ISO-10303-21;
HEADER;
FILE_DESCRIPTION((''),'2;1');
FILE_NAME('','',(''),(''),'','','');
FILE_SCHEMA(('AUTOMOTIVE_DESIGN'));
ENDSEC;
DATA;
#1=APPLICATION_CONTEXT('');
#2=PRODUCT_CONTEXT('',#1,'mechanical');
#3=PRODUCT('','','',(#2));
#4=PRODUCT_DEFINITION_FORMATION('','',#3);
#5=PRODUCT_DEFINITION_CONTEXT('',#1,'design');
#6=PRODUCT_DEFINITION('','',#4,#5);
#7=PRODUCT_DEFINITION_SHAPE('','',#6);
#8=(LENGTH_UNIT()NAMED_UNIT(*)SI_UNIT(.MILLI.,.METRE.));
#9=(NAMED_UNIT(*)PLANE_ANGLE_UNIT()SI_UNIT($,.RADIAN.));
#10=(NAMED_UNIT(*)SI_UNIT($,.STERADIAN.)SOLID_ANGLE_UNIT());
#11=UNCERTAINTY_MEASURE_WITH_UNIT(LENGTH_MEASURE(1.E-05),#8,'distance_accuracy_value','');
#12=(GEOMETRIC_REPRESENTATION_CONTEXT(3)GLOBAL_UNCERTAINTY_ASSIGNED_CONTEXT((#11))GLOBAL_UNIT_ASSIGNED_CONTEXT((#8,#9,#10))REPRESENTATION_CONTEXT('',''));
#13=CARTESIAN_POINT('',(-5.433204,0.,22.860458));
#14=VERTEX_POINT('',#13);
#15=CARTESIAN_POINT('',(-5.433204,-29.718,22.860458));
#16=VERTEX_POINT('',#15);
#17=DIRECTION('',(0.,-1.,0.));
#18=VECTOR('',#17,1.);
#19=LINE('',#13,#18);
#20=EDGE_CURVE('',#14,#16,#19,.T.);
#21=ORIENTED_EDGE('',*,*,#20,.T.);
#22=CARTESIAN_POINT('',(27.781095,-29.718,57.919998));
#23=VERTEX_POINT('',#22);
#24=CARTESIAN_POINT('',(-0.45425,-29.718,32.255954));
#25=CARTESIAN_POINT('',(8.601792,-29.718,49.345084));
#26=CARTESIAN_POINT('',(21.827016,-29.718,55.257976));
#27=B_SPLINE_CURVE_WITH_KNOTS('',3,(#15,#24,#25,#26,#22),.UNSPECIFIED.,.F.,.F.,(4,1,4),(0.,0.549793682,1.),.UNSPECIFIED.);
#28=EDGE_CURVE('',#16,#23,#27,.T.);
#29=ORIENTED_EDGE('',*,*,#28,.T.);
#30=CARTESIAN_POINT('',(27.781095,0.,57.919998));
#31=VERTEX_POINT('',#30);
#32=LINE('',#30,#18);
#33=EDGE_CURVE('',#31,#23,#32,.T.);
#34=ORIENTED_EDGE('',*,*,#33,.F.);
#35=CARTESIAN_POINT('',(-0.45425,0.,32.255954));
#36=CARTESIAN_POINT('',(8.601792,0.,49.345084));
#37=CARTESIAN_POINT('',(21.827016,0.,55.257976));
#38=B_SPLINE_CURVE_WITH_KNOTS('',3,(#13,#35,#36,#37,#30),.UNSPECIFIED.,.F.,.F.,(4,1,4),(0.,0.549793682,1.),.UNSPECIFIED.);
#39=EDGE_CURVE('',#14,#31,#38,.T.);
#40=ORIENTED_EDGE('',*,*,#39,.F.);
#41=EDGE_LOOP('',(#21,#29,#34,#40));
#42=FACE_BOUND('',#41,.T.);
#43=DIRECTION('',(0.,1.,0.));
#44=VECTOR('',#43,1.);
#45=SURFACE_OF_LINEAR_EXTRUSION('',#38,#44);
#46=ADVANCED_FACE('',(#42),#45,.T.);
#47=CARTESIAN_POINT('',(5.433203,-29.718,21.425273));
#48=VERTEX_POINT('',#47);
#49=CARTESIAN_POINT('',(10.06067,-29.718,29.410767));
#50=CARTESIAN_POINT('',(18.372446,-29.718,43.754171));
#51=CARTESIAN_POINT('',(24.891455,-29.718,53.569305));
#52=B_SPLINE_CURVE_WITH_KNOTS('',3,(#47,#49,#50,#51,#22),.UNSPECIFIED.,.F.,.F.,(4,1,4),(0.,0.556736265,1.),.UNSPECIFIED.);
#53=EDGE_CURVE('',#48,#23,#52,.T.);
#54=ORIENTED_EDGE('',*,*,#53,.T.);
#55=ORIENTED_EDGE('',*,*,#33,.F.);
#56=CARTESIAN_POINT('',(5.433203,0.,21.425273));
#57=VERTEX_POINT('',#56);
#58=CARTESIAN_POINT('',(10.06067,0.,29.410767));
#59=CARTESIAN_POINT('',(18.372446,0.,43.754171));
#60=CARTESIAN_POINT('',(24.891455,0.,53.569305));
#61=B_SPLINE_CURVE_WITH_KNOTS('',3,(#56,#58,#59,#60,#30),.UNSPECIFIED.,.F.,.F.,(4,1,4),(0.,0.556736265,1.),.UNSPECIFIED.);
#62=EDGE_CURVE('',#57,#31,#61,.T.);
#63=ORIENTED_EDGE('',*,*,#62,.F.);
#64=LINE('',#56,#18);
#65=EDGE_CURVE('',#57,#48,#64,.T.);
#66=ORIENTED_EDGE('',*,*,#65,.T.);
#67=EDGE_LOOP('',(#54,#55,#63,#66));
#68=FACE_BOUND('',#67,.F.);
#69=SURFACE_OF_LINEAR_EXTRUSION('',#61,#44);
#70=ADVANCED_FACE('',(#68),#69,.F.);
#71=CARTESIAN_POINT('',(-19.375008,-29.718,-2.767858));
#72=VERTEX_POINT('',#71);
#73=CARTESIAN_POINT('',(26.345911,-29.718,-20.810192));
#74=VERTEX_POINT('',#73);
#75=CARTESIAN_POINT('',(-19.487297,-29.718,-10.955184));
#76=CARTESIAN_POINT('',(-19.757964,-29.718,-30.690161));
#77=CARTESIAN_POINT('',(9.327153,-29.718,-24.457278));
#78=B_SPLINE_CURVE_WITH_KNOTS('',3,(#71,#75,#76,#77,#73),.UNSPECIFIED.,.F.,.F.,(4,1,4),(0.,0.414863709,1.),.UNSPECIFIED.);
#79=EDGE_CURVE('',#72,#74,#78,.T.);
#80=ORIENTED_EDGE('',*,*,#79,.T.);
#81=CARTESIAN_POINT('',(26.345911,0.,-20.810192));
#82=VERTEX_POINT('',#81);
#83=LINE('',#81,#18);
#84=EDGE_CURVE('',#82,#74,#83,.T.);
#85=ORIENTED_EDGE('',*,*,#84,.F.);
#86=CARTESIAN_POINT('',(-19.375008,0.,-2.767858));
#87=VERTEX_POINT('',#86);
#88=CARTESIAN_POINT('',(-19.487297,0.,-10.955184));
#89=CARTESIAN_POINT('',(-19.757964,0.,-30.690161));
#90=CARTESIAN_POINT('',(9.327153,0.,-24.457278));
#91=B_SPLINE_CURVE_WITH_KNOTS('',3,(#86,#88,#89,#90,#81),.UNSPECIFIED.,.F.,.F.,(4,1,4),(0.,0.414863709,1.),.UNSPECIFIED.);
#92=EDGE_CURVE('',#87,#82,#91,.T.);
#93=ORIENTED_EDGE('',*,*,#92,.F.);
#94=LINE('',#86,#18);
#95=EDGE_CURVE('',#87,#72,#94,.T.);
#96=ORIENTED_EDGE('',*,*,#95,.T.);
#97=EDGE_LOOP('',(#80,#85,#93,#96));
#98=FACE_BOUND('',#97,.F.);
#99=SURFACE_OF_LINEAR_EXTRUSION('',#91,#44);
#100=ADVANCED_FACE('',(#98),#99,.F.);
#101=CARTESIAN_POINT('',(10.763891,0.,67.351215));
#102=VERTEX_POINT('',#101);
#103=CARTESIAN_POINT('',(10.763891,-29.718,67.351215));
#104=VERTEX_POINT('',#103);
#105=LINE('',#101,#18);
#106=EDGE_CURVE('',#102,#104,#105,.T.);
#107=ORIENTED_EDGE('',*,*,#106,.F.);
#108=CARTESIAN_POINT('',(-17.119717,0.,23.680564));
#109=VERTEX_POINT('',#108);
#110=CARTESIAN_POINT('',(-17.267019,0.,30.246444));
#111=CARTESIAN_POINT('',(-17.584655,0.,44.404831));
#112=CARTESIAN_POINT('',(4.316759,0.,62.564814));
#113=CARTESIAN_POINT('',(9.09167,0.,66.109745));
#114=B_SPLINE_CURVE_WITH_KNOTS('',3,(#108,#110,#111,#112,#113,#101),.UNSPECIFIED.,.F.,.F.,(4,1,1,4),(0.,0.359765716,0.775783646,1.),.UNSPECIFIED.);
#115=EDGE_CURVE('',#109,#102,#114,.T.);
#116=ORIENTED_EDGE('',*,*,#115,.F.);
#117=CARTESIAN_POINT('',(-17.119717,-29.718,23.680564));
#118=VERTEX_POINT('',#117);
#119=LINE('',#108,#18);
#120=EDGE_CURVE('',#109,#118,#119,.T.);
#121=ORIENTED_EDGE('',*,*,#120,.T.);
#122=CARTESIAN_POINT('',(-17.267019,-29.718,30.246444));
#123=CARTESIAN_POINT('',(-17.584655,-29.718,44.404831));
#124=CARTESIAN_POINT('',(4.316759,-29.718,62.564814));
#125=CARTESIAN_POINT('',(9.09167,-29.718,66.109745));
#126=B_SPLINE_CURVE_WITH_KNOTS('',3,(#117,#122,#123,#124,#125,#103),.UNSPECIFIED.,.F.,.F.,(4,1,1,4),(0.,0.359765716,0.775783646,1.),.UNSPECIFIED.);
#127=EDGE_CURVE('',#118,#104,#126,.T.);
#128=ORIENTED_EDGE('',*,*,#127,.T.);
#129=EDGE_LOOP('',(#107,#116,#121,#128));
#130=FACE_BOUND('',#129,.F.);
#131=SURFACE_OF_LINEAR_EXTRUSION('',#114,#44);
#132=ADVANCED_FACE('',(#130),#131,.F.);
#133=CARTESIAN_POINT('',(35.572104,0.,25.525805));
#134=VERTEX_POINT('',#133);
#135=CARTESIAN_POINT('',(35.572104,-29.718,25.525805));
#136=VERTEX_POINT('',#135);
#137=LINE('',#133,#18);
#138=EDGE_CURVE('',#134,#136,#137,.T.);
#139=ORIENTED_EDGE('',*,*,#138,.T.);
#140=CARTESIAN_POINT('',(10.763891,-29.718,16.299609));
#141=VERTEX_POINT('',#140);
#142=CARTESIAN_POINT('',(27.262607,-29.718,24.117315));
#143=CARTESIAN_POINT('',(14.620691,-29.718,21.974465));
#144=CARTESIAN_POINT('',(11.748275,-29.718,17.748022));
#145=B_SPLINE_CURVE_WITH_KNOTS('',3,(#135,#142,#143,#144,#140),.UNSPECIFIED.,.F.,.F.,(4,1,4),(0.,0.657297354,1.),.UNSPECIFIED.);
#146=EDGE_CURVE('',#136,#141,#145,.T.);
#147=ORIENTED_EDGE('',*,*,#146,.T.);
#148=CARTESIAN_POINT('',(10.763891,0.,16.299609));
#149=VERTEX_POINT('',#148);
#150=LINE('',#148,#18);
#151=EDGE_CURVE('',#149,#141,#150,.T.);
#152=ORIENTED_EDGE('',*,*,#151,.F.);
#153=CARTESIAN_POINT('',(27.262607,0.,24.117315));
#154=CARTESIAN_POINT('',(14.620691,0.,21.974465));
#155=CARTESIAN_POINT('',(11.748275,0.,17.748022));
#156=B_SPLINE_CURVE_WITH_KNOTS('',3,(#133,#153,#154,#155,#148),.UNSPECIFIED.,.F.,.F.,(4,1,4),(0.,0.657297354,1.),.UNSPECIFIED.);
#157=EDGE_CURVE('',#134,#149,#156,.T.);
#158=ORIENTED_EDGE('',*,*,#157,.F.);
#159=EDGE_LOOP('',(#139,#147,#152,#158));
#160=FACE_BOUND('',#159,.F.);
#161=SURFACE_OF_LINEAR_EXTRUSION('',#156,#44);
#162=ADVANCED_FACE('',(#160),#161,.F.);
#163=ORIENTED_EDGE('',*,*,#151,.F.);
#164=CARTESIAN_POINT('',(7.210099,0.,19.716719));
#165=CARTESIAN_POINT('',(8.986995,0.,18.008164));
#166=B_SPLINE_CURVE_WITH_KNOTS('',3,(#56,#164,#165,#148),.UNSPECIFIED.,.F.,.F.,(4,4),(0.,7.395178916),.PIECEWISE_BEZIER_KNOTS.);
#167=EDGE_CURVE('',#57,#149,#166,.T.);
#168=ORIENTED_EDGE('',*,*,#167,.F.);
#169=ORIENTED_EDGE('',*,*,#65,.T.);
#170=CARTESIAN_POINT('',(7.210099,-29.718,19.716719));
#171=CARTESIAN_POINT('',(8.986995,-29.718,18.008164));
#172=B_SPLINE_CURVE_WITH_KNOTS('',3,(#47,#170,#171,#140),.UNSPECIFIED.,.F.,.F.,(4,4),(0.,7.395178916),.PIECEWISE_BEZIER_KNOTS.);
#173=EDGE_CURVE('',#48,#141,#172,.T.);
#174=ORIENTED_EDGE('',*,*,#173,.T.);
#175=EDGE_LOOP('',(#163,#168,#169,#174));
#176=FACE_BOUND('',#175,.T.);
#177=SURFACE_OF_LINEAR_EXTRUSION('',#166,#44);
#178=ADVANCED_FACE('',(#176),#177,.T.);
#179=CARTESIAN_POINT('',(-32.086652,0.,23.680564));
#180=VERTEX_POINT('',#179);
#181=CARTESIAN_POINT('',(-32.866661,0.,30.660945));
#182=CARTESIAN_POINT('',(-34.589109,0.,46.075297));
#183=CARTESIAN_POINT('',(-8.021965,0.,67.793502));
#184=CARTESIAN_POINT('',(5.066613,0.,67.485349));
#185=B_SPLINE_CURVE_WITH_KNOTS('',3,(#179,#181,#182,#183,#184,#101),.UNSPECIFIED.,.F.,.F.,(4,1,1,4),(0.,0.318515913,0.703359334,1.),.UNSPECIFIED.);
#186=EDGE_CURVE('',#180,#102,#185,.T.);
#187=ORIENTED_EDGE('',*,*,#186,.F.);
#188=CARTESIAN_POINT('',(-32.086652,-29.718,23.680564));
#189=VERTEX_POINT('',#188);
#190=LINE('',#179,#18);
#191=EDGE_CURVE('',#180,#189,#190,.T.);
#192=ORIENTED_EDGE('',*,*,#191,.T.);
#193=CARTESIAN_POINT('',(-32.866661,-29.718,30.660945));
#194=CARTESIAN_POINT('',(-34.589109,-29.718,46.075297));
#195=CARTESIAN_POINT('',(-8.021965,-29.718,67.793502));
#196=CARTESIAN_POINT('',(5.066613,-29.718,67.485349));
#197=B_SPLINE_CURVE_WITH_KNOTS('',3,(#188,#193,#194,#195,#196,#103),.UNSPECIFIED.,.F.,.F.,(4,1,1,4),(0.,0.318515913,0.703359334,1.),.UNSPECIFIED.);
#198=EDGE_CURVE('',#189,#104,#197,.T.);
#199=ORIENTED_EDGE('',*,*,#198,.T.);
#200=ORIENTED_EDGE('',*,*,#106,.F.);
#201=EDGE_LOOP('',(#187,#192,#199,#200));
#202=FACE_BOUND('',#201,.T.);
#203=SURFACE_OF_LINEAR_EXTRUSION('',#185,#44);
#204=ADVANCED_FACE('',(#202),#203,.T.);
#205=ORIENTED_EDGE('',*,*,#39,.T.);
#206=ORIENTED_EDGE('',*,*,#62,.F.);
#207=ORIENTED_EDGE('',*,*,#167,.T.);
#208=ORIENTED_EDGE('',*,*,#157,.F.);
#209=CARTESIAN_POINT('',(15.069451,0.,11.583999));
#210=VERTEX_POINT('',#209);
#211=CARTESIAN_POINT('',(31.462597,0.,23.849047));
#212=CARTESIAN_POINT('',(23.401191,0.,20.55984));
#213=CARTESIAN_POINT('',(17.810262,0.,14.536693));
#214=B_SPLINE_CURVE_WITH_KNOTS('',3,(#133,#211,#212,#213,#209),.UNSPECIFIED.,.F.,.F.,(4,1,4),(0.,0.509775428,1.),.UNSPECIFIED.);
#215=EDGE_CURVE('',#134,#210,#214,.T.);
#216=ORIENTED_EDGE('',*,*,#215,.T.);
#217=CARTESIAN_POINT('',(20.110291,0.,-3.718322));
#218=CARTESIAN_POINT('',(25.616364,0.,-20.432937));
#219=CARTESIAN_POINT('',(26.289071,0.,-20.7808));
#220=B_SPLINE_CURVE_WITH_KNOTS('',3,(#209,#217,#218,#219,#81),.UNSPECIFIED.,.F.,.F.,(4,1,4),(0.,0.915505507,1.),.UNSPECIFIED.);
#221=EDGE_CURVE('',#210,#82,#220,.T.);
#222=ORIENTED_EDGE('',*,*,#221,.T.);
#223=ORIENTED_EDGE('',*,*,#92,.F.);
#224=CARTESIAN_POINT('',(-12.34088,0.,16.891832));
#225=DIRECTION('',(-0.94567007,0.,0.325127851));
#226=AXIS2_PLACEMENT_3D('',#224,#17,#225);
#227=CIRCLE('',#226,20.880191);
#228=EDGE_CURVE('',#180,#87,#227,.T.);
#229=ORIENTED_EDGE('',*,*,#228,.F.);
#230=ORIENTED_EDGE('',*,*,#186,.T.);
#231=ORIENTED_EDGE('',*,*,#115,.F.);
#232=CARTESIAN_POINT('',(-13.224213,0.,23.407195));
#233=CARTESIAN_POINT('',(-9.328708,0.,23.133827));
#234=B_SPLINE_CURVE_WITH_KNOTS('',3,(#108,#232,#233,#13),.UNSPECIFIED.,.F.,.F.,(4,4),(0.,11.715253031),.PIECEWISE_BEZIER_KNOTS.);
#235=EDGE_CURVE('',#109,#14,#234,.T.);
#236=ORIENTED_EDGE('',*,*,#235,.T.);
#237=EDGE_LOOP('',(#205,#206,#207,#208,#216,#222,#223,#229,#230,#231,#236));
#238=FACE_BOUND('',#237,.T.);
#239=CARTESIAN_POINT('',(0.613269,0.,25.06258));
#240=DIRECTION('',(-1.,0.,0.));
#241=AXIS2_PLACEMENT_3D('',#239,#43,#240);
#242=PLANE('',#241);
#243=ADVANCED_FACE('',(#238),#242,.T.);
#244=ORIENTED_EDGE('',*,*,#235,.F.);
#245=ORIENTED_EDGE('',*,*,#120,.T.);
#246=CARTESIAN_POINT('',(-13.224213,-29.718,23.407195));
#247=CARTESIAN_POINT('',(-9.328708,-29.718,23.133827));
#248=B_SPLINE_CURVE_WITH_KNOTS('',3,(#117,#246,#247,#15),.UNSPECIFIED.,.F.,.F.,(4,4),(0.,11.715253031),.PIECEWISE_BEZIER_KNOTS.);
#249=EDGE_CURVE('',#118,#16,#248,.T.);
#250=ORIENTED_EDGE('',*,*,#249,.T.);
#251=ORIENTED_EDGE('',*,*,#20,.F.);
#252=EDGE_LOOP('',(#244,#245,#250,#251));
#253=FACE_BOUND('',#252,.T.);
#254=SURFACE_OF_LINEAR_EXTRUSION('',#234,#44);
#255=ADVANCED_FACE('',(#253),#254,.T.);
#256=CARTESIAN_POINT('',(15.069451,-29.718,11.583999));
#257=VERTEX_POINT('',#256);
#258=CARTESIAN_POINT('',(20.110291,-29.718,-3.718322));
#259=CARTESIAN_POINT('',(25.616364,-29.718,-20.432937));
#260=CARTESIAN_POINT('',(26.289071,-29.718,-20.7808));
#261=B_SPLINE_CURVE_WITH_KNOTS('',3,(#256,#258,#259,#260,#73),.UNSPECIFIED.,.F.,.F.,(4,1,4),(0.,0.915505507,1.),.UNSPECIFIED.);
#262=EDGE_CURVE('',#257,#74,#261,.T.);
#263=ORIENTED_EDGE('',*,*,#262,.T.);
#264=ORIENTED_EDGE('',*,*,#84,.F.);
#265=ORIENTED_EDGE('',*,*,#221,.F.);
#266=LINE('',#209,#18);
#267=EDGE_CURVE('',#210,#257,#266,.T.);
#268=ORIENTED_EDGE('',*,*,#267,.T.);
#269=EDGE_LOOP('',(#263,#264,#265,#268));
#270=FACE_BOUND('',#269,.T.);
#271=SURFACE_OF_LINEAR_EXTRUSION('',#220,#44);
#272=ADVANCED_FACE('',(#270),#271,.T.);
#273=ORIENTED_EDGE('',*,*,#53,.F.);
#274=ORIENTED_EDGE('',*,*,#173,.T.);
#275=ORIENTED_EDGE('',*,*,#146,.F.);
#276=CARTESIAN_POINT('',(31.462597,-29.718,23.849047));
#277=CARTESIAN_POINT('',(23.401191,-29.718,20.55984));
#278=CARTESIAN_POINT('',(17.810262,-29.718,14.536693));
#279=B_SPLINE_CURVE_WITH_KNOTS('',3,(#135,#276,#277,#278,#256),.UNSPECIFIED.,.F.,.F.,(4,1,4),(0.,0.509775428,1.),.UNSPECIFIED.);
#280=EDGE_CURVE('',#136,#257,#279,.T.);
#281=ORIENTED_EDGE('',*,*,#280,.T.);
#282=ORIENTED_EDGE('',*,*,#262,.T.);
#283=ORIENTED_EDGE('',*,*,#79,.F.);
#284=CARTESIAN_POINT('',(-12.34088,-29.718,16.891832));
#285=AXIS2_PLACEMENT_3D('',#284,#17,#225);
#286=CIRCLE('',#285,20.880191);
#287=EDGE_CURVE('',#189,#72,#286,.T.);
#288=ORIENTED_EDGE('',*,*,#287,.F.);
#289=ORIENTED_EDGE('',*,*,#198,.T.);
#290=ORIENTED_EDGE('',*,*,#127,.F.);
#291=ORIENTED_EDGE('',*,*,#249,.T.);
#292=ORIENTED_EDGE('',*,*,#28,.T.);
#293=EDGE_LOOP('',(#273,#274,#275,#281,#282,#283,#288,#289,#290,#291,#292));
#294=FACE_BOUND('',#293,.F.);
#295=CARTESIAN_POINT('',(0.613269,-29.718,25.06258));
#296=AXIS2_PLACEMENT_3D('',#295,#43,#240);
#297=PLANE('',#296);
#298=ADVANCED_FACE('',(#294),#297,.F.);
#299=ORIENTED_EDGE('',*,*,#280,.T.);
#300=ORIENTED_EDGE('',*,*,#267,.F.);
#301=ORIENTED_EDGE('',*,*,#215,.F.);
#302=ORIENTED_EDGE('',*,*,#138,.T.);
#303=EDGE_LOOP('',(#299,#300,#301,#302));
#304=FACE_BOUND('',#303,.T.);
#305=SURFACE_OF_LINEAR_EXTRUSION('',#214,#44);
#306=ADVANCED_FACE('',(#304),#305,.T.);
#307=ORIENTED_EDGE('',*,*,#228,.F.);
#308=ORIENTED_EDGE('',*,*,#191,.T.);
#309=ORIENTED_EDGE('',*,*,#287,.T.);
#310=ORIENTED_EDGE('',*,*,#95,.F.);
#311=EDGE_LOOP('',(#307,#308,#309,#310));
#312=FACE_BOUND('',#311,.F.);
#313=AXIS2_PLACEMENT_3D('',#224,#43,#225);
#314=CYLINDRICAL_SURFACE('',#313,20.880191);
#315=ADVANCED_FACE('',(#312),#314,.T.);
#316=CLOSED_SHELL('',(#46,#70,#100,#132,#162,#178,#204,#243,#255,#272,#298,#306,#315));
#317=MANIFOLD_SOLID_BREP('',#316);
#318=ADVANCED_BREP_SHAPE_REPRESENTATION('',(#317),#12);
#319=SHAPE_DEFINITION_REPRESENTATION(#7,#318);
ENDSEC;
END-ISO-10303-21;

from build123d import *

# Parameters (mm, degrees)
F1_DEPTH = 29.718


with BuildPart() as f1:
    # F0 (on Front) → F1 (new body)
    with BuildSketch(Plane.XZ):
        with BuildLine():
            add(Edge.make_bspline(
                [(-32.0866517723, 23.6805640161), (-32.8666613396, 30.6609452669), (-34.5891090637, 46.0752969657), (-8.0219653397, 67.7935022903), (5.0666127176, 67.4853493372), (10.7638910413, 67.3512145877)],
                knots=[0, 0, 0, 0, 0.318515913, 0.7033593336, 1, 1, 1, 1], degree=3))
            ThreePointArc((-32.0866517723, 23.6805640161), (-31.1602984311, 7.8468410593), (-19.3750075996, -2.7678578626))
            add(Edge.make_bspline(
                [(-19.3750075996, -2.7678578626), (-19.4872973759, -10.9551838639), (-19.7579640402, -30.6901614532), (9.3271529991, -24.4572784772), (26.3459105045, -20.8101924509)],
                knots=[0, 0, 0, 0, 0.4148637091, 1, 1, 1, 1], degree=3))
            add(Edge.make_bspline(
                [(15.0694511831, 11.5839987993), (20.1102911586, -3.7183224507), (25.6163639625, -20.4329365391), (26.2890705063, -20.7807999117), (26.3459105045, -20.8101924509)],
                knots=[0, 0, 0, 0, 0.9155055073, 1, 1, 1, 1], degree=3))
            add(Edge.make_bspline(
                [(35.572104156, 25.5258046091), (31.4625973654, 23.8490473561), (23.401191173, 20.5598396748), (17.8102620302, 14.5366932021), (15.0694511831, 11.5839987993)],
                knots=[0, 0, 0, 0, 0.5097754278, 1, 1, 1, 1], degree=3))
            add(Edge.make_bspline(
                [(35.572104156, 25.5258046091), (27.2626065539, 24.1173148141), (14.6206910634, 21.9744645709), (11.7482754665, 17.7480221093), (10.7638910413, 16.2996090949)],
                knots=[0, 0, 0, 0, 0.6572973541, 1, 1, 1, 1], degree=3))
            add(Edge.make_bspline(
                [(5.4332027212, 21.4252732694), (7.2100988279, 19.7167185446), (8.9869949346, 18.0081638197), (10.7638910413, 16.2996090949)],
                knots=[0, 0, 0, 0, 7.3951789158, 7.3951789158, 7.3951789158, 7.3951789158], degree=3))
            add(Edge.make_bspline(
                [(5.4332027212, 21.4252732694), (10.0606699608, 29.4107665515), (18.3724461644, 43.7541707506), (24.8914551048, 53.5693047614), (27.7810953557, 57.9199977219)],
                knots=[0, 0, 0, 0, 0.5567362651, 1, 1, 1, 1], degree=3))
            add(Edge.make_bspline(
                [(-5.4332041182, 22.8604581207), (-0.4542495949, 32.2559538497), (8.601792123, 49.345083884), (21.8270160093, 55.2579762313), (27.7810953557, 57.9199977219)],
                knots=[0, 0, 0, 0, 0.5497936823, 1, 1, 1, 1], degree=3))
            add(Edge.make_bspline(
                [(-17.1197168529, 23.6805640161), (-13.224212608, 23.4071953843), (-9.3287083631, 23.1338267525), (-5.4332041182, 22.8604581207)],
                knots=[0, 0, 0, 0, 11.7152530309, 11.7152530309, 11.7152530309, 11.7152530309], degree=3))
            add(Edge.make_bspline(
                [(-17.1197168529, 23.6805640161), (-17.2670190845, 30.2464438146), (-17.5846554166, 44.404830652), (4.3167592547, 62.5648139276), (9.0916701904, 66.1097448537), (10.7638910413, 67.3512145877)],
                knots=[0, 0, 0, 0, 0.3597657155, 0.7757836461, 1, 1, 1, 1], degree=3))
        make_face()
    extrude(amount=F1_DEPTH)


solid = f1.part
